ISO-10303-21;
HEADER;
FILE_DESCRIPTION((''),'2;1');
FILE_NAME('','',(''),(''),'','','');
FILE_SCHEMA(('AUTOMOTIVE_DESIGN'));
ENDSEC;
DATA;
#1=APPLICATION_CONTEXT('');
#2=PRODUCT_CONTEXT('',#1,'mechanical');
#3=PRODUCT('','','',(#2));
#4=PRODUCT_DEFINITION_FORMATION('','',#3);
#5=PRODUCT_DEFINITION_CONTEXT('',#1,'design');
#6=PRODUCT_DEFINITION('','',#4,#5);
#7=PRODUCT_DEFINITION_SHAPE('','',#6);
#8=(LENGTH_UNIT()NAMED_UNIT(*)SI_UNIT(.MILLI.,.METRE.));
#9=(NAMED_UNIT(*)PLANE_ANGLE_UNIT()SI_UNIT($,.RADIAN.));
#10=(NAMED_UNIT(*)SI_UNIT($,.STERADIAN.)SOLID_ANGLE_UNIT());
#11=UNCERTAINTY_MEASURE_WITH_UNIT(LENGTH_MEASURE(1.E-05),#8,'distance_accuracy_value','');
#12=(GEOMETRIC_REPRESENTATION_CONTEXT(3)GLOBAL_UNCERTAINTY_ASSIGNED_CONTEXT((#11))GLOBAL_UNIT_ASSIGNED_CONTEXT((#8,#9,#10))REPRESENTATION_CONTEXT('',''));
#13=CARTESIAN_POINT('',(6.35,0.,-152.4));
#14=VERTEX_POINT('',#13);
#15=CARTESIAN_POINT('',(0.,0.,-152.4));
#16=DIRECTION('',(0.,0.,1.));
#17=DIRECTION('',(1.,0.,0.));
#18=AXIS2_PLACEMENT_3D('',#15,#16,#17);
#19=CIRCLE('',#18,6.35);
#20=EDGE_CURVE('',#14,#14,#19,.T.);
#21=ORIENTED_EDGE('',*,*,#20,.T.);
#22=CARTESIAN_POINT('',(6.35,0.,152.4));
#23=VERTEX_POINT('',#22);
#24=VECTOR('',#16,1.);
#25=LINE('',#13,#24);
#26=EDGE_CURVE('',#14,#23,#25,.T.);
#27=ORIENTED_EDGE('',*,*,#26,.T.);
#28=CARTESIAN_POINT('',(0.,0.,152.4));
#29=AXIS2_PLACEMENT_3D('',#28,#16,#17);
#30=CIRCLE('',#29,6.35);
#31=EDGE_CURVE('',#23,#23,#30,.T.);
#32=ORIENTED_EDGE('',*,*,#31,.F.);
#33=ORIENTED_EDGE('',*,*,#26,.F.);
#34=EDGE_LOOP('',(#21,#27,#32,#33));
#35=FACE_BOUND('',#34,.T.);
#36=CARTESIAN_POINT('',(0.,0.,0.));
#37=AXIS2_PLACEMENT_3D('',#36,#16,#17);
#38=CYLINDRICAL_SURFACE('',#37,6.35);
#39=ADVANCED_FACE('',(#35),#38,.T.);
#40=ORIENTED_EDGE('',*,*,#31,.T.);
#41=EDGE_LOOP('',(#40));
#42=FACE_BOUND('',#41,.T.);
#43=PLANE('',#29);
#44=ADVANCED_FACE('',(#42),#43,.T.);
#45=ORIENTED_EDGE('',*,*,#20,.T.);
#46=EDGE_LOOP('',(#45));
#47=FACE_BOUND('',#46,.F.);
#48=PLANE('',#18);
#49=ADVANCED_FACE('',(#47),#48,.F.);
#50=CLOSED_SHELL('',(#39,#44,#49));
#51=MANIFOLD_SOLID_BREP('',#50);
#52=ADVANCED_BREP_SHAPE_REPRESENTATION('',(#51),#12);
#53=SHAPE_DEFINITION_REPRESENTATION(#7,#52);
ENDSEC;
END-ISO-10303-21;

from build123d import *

# Parameters (mm, degrees)
SKETCH1_R           = 6.35
BOSS_EXTRUDE1_DEPTH = 152.4


with BuildPart() as part:
    # Sketch1 → Boss-Extrude1 (new body, symmetric)
    with BuildSketch(Plane.XY):
        Circle(SKETCH1_R)
    extrude(amount=BOSS_EXTRUDE1_DEPTH, both=True)


solid = part.part
